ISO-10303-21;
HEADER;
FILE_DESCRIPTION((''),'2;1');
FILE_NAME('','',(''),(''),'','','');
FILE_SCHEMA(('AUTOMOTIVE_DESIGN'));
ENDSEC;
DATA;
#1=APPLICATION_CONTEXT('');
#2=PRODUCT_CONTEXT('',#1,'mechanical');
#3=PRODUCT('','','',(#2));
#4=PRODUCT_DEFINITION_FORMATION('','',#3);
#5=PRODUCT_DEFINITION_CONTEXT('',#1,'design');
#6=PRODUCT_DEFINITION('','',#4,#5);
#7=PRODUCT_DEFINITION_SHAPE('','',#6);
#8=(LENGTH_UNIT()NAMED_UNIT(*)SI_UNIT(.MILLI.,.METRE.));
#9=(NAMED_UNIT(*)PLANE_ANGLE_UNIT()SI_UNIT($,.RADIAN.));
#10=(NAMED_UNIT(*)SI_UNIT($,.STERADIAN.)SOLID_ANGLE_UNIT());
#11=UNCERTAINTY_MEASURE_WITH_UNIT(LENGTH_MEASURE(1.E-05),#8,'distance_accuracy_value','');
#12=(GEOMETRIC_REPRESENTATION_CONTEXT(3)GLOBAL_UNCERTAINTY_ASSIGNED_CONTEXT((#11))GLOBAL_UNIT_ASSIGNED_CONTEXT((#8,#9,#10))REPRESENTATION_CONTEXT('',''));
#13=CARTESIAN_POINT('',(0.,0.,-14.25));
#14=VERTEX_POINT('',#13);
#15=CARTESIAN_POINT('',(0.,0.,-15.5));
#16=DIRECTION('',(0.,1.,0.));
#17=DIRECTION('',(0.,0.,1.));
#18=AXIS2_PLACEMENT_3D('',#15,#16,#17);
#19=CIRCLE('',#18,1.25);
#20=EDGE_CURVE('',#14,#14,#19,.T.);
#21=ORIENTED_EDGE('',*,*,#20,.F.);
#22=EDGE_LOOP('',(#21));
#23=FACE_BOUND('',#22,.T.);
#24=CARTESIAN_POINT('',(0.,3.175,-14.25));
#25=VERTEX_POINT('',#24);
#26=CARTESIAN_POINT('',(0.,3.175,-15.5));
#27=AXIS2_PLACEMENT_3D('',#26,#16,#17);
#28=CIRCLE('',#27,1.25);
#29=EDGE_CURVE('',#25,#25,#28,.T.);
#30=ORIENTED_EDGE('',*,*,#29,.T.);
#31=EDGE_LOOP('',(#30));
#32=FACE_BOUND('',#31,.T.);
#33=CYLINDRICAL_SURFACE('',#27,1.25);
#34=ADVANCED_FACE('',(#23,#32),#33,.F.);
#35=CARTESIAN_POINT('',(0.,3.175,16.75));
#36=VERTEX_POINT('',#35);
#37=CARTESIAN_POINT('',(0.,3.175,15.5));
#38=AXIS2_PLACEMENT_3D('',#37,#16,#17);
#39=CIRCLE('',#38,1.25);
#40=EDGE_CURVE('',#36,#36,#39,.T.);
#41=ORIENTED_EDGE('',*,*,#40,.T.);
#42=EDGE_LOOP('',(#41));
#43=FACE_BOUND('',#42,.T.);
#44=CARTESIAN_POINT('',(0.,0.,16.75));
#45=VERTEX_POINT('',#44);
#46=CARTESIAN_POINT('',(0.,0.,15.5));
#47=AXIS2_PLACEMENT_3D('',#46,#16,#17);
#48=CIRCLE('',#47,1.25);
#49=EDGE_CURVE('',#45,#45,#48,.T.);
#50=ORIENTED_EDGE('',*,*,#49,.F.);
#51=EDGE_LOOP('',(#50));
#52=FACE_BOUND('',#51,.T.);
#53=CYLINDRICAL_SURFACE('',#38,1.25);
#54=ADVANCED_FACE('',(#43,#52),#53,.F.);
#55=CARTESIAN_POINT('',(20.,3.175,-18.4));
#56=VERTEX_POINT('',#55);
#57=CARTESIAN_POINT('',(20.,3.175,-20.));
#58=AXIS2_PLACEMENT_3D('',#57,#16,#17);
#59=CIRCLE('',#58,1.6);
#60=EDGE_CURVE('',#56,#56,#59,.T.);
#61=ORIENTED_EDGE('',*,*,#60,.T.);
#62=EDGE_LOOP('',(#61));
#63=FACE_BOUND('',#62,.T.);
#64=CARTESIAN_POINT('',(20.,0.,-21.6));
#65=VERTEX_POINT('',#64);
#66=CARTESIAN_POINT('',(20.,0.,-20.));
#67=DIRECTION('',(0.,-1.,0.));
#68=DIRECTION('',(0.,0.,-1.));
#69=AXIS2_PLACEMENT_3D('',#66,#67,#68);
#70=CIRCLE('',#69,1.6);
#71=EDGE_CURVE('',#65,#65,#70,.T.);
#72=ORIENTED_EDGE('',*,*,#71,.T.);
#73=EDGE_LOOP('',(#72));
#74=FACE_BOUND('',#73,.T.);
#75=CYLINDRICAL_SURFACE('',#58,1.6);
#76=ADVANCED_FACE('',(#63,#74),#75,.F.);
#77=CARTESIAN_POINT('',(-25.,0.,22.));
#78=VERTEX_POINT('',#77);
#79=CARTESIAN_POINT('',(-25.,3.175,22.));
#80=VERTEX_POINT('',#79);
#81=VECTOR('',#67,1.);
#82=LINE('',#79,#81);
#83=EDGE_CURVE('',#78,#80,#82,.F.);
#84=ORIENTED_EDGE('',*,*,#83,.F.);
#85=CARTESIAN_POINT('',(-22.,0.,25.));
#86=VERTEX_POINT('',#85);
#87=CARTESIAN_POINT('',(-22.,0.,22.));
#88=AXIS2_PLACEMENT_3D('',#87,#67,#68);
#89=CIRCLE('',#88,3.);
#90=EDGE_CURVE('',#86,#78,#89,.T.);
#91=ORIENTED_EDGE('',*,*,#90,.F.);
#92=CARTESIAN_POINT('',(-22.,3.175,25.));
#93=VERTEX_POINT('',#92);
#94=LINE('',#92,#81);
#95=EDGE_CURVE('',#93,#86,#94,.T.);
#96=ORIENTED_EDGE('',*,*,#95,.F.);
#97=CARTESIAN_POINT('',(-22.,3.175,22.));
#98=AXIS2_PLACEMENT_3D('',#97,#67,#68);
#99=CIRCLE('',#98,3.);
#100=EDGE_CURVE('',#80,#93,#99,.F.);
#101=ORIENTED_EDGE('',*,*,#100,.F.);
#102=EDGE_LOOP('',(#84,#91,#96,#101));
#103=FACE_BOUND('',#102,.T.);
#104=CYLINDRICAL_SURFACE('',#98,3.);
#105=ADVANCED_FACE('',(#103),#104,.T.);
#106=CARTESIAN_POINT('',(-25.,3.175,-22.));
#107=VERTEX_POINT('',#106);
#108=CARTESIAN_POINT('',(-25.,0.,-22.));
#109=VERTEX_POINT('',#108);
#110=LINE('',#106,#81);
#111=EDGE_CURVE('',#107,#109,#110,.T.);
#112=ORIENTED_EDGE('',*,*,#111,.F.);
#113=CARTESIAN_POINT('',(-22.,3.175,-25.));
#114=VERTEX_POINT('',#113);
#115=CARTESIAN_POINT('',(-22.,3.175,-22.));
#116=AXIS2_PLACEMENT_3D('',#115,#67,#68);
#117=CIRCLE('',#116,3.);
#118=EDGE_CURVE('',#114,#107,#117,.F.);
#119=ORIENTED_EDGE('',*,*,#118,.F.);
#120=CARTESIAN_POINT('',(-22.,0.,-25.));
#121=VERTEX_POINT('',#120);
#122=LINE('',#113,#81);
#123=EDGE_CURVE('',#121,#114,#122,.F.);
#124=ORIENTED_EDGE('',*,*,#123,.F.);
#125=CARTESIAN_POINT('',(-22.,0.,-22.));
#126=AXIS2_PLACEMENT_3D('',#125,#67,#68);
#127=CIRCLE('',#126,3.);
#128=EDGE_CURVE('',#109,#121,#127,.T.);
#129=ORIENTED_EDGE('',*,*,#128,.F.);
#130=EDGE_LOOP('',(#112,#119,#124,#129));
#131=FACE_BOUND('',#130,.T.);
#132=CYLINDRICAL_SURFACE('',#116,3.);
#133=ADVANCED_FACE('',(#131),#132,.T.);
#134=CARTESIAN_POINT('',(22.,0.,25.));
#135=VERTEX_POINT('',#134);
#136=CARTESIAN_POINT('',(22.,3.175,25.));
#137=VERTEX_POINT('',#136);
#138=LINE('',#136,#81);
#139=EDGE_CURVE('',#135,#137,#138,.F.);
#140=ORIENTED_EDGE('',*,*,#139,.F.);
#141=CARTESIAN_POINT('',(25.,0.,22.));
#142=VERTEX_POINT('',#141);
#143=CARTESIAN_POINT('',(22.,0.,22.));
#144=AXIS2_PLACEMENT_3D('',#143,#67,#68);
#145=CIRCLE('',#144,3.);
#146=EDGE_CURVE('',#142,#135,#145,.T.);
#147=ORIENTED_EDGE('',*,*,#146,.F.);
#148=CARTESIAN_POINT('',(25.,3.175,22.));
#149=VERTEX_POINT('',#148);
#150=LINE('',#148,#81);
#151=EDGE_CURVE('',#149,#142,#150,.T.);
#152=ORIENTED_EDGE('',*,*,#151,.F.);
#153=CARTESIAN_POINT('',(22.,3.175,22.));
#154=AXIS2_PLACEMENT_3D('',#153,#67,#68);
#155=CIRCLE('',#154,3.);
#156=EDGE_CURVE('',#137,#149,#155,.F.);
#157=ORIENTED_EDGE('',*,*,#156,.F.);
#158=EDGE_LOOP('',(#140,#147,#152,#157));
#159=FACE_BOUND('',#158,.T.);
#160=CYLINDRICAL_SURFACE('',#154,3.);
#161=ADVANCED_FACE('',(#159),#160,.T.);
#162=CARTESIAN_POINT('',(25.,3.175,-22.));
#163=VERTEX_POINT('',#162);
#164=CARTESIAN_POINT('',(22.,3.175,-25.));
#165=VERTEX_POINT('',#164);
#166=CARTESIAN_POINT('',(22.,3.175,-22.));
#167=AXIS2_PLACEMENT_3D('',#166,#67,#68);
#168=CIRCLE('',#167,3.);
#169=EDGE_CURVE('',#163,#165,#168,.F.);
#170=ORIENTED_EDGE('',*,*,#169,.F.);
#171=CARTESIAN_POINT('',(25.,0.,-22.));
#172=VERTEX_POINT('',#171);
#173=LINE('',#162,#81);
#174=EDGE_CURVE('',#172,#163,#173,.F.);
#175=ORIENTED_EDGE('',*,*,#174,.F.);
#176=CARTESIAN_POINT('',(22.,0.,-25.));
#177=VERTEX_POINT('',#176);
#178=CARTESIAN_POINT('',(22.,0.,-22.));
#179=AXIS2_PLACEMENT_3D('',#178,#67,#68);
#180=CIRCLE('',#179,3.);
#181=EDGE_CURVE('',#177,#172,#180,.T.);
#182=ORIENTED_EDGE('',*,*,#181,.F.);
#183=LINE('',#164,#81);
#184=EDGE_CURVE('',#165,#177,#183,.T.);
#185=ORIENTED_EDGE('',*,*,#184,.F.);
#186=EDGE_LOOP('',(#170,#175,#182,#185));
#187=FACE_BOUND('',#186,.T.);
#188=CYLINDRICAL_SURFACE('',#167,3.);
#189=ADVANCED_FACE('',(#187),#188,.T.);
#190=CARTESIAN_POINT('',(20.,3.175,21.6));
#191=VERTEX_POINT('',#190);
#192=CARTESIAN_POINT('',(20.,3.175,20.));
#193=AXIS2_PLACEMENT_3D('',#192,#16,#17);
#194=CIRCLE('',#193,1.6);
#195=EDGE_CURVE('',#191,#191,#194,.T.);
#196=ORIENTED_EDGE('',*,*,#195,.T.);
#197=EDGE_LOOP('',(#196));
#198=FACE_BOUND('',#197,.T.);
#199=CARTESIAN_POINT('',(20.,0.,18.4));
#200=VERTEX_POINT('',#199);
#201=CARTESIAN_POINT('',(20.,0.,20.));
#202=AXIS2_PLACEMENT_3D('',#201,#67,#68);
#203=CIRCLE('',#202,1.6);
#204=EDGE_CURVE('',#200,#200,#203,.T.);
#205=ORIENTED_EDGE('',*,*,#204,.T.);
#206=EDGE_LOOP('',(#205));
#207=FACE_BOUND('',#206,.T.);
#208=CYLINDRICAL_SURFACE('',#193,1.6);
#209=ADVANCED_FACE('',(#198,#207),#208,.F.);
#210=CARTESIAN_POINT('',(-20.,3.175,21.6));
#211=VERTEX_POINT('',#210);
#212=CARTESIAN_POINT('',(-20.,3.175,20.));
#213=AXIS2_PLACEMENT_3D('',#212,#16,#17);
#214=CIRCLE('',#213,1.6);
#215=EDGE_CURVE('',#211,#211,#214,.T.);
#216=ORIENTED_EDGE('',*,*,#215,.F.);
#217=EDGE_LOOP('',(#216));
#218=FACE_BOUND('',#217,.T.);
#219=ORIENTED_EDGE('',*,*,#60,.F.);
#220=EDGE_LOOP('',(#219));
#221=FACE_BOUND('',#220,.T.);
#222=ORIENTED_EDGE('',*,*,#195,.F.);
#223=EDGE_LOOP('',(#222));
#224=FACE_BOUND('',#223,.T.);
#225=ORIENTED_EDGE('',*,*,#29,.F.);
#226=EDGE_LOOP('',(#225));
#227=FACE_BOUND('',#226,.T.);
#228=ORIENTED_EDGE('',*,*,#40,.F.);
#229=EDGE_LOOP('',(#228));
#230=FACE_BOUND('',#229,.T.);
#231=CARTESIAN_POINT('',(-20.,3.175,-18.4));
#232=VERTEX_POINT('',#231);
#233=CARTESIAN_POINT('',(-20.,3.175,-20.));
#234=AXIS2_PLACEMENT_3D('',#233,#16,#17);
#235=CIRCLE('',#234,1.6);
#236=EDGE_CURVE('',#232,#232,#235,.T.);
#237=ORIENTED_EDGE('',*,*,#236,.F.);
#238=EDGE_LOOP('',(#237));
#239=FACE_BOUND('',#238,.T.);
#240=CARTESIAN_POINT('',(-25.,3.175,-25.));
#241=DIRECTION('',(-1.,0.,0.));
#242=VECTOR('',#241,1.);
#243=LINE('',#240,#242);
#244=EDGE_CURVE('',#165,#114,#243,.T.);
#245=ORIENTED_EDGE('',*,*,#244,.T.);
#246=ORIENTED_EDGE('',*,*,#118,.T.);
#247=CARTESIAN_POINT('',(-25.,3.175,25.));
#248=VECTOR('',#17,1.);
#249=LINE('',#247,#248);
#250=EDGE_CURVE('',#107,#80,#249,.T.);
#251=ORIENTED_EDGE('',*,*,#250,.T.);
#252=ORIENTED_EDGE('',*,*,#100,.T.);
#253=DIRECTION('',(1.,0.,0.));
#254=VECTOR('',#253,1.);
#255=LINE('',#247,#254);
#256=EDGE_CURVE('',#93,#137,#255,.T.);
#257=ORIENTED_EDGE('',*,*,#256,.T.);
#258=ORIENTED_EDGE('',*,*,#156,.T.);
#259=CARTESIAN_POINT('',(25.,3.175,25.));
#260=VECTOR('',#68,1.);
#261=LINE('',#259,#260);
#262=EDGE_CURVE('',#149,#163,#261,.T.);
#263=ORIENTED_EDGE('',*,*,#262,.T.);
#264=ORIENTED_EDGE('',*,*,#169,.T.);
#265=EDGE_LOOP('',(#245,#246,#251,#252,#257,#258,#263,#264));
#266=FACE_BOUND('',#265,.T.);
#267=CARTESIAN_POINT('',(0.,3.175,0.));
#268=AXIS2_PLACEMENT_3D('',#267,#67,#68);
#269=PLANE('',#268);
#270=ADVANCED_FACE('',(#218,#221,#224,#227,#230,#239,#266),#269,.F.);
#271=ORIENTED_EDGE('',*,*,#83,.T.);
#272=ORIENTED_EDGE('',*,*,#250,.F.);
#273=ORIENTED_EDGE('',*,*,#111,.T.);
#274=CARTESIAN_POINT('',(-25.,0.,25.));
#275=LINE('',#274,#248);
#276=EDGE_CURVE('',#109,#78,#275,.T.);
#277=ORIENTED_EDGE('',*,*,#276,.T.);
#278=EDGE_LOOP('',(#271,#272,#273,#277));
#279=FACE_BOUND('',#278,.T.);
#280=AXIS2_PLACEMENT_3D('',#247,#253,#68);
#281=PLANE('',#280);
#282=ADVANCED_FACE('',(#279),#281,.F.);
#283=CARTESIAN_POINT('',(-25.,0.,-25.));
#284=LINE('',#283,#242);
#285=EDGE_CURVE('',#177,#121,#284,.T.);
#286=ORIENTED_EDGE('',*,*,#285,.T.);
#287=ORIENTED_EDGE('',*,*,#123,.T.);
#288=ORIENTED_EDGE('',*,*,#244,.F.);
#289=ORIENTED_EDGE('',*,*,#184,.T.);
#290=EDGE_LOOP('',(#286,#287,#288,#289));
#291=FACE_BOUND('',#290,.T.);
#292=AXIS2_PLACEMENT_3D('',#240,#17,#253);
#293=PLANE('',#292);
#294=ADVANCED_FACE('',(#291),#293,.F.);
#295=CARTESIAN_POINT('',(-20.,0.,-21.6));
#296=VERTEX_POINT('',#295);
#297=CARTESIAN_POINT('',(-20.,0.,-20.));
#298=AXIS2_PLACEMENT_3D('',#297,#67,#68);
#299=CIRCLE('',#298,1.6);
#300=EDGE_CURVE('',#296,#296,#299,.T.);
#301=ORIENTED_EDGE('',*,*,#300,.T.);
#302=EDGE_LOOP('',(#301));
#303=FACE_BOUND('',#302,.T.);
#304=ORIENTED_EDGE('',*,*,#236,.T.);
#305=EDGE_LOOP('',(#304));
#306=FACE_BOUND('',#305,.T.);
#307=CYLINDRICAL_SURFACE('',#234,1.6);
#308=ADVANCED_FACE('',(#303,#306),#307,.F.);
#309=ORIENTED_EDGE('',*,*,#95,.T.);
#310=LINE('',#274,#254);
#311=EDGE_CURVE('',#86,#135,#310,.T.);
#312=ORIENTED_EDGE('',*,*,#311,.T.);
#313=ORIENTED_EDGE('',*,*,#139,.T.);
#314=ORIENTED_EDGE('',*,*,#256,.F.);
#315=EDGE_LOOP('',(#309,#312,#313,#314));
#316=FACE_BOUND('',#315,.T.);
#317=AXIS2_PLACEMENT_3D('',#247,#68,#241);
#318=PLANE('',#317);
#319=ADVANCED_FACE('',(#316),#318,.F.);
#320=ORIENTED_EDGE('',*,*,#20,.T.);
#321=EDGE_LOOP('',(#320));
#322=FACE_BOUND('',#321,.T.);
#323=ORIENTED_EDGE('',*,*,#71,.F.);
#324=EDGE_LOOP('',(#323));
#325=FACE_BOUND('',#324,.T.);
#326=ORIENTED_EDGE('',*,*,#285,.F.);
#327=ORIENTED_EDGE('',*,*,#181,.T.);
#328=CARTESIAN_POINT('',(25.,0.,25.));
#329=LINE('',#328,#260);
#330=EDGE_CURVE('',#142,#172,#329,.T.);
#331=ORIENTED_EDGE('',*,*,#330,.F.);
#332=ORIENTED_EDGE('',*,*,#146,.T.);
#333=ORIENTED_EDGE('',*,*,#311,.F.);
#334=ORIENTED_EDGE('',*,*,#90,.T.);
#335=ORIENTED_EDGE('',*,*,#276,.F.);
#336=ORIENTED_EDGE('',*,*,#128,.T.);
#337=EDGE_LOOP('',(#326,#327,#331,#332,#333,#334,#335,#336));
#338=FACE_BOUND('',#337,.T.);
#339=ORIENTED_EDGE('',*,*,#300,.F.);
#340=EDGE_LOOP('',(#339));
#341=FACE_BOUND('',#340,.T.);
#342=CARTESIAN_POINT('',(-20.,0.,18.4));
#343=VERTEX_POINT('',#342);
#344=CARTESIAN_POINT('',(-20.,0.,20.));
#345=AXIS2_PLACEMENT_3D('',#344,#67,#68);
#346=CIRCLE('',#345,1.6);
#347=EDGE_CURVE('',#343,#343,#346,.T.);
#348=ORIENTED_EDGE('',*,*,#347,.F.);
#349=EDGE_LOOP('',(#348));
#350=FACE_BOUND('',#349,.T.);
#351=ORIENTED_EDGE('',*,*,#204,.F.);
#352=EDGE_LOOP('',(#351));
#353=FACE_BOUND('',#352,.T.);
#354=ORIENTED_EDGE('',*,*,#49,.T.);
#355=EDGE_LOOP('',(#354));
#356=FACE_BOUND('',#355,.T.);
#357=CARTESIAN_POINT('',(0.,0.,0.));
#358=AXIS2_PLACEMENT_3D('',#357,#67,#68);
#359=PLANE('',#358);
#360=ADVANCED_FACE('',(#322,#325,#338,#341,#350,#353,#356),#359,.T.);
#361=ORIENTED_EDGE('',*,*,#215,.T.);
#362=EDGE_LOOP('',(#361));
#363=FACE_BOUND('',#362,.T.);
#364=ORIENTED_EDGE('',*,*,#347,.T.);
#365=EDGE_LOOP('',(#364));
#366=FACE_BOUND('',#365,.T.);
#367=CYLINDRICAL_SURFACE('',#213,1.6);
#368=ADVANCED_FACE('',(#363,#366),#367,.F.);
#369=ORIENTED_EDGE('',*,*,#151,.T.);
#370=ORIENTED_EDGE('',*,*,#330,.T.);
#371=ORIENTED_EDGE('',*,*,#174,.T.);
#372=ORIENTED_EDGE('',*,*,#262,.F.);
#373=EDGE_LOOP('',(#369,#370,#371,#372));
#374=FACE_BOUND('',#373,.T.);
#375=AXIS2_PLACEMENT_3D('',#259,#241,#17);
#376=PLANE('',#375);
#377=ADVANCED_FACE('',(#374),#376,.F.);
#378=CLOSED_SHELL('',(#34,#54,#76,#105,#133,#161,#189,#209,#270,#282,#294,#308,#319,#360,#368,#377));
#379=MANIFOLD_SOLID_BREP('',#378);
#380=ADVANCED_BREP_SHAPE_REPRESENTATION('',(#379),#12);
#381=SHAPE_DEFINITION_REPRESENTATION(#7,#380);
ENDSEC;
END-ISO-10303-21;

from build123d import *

# Parameters (mm, degrees)
SKETCH1_W                = 50
SKETCH1_H                = 50
BOSS_EXTRUDE1_DEPTH      = 3.175
M3_CLEARANCE_HOLE1_D     = 3.2
M3_CLEARANCE_HOLE1_DEPTH = 12.4
M3_CLEARANCE_HOLE1_TIP   = 0.96137699
M3X0_5_TAPPED_HOLE1_D    = 2.5
FILLET1_R                = 3


with BuildPart() as part:
    # Sketch1 → Boss-Extrude1 (new body)
    with BuildSketch(Plane(origin=(0, 0, 0), x_dir=(1, 0, 0), z_dir=(0, 1, 0))):
        Rectangle(SKETCH1_W, SKETCH1_H)
    extrude(amount=BOSS_EXTRUDE1_DEPTH)

    # M3 Clearance Hole1
    with Locations(Plane(origin=(0, 3.175, 0), x_dir=(1, 0, 0), z_dir=(0, 1, 0))):
        with Locations((-20, 20), (20, 20), (-20, -20), (20, -20)):
            Hole(M3_CLEARANCE_HOLE1_D / 2, depth=M3_CLEARANCE_HOLE1_DEPTH)
            with Locations((0, 0, -(M3_CLEARANCE_HOLE1_DEPTH + M3_CLEARANCE_HOLE1_TIP / 2))):  # 118° drill point
                Cone(0, M3_CLEARANCE_HOLE1_D / 2, M3_CLEARANCE_HOLE1_TIP, mode=Mode.SUBTRACT)

    # M3x0.5 Tapped Hole1 (through all)
    with Locations(Plane(origin=(0, 3.175, 0), x_dir=(1, 0, 0), z_dir=(0, 1, 0))):
        with Locations((0, 15.5), (0, -15.5)):
            Hole(M3X0_5_TAPPED_HOLE1_D / 2)

    # Fillet1
    fillet1_edges = [part.edges().sort_by_distance(p)[0] for p in [
        (25, 1.5875, 25),
        (-25, 1.5875, 25),
        (-25, 1.5875, -25),
        (25, 1.5875, -25),
    ]]
    fillet(fillet1_edges, radius=FILLET1_R)


solid = part.part
